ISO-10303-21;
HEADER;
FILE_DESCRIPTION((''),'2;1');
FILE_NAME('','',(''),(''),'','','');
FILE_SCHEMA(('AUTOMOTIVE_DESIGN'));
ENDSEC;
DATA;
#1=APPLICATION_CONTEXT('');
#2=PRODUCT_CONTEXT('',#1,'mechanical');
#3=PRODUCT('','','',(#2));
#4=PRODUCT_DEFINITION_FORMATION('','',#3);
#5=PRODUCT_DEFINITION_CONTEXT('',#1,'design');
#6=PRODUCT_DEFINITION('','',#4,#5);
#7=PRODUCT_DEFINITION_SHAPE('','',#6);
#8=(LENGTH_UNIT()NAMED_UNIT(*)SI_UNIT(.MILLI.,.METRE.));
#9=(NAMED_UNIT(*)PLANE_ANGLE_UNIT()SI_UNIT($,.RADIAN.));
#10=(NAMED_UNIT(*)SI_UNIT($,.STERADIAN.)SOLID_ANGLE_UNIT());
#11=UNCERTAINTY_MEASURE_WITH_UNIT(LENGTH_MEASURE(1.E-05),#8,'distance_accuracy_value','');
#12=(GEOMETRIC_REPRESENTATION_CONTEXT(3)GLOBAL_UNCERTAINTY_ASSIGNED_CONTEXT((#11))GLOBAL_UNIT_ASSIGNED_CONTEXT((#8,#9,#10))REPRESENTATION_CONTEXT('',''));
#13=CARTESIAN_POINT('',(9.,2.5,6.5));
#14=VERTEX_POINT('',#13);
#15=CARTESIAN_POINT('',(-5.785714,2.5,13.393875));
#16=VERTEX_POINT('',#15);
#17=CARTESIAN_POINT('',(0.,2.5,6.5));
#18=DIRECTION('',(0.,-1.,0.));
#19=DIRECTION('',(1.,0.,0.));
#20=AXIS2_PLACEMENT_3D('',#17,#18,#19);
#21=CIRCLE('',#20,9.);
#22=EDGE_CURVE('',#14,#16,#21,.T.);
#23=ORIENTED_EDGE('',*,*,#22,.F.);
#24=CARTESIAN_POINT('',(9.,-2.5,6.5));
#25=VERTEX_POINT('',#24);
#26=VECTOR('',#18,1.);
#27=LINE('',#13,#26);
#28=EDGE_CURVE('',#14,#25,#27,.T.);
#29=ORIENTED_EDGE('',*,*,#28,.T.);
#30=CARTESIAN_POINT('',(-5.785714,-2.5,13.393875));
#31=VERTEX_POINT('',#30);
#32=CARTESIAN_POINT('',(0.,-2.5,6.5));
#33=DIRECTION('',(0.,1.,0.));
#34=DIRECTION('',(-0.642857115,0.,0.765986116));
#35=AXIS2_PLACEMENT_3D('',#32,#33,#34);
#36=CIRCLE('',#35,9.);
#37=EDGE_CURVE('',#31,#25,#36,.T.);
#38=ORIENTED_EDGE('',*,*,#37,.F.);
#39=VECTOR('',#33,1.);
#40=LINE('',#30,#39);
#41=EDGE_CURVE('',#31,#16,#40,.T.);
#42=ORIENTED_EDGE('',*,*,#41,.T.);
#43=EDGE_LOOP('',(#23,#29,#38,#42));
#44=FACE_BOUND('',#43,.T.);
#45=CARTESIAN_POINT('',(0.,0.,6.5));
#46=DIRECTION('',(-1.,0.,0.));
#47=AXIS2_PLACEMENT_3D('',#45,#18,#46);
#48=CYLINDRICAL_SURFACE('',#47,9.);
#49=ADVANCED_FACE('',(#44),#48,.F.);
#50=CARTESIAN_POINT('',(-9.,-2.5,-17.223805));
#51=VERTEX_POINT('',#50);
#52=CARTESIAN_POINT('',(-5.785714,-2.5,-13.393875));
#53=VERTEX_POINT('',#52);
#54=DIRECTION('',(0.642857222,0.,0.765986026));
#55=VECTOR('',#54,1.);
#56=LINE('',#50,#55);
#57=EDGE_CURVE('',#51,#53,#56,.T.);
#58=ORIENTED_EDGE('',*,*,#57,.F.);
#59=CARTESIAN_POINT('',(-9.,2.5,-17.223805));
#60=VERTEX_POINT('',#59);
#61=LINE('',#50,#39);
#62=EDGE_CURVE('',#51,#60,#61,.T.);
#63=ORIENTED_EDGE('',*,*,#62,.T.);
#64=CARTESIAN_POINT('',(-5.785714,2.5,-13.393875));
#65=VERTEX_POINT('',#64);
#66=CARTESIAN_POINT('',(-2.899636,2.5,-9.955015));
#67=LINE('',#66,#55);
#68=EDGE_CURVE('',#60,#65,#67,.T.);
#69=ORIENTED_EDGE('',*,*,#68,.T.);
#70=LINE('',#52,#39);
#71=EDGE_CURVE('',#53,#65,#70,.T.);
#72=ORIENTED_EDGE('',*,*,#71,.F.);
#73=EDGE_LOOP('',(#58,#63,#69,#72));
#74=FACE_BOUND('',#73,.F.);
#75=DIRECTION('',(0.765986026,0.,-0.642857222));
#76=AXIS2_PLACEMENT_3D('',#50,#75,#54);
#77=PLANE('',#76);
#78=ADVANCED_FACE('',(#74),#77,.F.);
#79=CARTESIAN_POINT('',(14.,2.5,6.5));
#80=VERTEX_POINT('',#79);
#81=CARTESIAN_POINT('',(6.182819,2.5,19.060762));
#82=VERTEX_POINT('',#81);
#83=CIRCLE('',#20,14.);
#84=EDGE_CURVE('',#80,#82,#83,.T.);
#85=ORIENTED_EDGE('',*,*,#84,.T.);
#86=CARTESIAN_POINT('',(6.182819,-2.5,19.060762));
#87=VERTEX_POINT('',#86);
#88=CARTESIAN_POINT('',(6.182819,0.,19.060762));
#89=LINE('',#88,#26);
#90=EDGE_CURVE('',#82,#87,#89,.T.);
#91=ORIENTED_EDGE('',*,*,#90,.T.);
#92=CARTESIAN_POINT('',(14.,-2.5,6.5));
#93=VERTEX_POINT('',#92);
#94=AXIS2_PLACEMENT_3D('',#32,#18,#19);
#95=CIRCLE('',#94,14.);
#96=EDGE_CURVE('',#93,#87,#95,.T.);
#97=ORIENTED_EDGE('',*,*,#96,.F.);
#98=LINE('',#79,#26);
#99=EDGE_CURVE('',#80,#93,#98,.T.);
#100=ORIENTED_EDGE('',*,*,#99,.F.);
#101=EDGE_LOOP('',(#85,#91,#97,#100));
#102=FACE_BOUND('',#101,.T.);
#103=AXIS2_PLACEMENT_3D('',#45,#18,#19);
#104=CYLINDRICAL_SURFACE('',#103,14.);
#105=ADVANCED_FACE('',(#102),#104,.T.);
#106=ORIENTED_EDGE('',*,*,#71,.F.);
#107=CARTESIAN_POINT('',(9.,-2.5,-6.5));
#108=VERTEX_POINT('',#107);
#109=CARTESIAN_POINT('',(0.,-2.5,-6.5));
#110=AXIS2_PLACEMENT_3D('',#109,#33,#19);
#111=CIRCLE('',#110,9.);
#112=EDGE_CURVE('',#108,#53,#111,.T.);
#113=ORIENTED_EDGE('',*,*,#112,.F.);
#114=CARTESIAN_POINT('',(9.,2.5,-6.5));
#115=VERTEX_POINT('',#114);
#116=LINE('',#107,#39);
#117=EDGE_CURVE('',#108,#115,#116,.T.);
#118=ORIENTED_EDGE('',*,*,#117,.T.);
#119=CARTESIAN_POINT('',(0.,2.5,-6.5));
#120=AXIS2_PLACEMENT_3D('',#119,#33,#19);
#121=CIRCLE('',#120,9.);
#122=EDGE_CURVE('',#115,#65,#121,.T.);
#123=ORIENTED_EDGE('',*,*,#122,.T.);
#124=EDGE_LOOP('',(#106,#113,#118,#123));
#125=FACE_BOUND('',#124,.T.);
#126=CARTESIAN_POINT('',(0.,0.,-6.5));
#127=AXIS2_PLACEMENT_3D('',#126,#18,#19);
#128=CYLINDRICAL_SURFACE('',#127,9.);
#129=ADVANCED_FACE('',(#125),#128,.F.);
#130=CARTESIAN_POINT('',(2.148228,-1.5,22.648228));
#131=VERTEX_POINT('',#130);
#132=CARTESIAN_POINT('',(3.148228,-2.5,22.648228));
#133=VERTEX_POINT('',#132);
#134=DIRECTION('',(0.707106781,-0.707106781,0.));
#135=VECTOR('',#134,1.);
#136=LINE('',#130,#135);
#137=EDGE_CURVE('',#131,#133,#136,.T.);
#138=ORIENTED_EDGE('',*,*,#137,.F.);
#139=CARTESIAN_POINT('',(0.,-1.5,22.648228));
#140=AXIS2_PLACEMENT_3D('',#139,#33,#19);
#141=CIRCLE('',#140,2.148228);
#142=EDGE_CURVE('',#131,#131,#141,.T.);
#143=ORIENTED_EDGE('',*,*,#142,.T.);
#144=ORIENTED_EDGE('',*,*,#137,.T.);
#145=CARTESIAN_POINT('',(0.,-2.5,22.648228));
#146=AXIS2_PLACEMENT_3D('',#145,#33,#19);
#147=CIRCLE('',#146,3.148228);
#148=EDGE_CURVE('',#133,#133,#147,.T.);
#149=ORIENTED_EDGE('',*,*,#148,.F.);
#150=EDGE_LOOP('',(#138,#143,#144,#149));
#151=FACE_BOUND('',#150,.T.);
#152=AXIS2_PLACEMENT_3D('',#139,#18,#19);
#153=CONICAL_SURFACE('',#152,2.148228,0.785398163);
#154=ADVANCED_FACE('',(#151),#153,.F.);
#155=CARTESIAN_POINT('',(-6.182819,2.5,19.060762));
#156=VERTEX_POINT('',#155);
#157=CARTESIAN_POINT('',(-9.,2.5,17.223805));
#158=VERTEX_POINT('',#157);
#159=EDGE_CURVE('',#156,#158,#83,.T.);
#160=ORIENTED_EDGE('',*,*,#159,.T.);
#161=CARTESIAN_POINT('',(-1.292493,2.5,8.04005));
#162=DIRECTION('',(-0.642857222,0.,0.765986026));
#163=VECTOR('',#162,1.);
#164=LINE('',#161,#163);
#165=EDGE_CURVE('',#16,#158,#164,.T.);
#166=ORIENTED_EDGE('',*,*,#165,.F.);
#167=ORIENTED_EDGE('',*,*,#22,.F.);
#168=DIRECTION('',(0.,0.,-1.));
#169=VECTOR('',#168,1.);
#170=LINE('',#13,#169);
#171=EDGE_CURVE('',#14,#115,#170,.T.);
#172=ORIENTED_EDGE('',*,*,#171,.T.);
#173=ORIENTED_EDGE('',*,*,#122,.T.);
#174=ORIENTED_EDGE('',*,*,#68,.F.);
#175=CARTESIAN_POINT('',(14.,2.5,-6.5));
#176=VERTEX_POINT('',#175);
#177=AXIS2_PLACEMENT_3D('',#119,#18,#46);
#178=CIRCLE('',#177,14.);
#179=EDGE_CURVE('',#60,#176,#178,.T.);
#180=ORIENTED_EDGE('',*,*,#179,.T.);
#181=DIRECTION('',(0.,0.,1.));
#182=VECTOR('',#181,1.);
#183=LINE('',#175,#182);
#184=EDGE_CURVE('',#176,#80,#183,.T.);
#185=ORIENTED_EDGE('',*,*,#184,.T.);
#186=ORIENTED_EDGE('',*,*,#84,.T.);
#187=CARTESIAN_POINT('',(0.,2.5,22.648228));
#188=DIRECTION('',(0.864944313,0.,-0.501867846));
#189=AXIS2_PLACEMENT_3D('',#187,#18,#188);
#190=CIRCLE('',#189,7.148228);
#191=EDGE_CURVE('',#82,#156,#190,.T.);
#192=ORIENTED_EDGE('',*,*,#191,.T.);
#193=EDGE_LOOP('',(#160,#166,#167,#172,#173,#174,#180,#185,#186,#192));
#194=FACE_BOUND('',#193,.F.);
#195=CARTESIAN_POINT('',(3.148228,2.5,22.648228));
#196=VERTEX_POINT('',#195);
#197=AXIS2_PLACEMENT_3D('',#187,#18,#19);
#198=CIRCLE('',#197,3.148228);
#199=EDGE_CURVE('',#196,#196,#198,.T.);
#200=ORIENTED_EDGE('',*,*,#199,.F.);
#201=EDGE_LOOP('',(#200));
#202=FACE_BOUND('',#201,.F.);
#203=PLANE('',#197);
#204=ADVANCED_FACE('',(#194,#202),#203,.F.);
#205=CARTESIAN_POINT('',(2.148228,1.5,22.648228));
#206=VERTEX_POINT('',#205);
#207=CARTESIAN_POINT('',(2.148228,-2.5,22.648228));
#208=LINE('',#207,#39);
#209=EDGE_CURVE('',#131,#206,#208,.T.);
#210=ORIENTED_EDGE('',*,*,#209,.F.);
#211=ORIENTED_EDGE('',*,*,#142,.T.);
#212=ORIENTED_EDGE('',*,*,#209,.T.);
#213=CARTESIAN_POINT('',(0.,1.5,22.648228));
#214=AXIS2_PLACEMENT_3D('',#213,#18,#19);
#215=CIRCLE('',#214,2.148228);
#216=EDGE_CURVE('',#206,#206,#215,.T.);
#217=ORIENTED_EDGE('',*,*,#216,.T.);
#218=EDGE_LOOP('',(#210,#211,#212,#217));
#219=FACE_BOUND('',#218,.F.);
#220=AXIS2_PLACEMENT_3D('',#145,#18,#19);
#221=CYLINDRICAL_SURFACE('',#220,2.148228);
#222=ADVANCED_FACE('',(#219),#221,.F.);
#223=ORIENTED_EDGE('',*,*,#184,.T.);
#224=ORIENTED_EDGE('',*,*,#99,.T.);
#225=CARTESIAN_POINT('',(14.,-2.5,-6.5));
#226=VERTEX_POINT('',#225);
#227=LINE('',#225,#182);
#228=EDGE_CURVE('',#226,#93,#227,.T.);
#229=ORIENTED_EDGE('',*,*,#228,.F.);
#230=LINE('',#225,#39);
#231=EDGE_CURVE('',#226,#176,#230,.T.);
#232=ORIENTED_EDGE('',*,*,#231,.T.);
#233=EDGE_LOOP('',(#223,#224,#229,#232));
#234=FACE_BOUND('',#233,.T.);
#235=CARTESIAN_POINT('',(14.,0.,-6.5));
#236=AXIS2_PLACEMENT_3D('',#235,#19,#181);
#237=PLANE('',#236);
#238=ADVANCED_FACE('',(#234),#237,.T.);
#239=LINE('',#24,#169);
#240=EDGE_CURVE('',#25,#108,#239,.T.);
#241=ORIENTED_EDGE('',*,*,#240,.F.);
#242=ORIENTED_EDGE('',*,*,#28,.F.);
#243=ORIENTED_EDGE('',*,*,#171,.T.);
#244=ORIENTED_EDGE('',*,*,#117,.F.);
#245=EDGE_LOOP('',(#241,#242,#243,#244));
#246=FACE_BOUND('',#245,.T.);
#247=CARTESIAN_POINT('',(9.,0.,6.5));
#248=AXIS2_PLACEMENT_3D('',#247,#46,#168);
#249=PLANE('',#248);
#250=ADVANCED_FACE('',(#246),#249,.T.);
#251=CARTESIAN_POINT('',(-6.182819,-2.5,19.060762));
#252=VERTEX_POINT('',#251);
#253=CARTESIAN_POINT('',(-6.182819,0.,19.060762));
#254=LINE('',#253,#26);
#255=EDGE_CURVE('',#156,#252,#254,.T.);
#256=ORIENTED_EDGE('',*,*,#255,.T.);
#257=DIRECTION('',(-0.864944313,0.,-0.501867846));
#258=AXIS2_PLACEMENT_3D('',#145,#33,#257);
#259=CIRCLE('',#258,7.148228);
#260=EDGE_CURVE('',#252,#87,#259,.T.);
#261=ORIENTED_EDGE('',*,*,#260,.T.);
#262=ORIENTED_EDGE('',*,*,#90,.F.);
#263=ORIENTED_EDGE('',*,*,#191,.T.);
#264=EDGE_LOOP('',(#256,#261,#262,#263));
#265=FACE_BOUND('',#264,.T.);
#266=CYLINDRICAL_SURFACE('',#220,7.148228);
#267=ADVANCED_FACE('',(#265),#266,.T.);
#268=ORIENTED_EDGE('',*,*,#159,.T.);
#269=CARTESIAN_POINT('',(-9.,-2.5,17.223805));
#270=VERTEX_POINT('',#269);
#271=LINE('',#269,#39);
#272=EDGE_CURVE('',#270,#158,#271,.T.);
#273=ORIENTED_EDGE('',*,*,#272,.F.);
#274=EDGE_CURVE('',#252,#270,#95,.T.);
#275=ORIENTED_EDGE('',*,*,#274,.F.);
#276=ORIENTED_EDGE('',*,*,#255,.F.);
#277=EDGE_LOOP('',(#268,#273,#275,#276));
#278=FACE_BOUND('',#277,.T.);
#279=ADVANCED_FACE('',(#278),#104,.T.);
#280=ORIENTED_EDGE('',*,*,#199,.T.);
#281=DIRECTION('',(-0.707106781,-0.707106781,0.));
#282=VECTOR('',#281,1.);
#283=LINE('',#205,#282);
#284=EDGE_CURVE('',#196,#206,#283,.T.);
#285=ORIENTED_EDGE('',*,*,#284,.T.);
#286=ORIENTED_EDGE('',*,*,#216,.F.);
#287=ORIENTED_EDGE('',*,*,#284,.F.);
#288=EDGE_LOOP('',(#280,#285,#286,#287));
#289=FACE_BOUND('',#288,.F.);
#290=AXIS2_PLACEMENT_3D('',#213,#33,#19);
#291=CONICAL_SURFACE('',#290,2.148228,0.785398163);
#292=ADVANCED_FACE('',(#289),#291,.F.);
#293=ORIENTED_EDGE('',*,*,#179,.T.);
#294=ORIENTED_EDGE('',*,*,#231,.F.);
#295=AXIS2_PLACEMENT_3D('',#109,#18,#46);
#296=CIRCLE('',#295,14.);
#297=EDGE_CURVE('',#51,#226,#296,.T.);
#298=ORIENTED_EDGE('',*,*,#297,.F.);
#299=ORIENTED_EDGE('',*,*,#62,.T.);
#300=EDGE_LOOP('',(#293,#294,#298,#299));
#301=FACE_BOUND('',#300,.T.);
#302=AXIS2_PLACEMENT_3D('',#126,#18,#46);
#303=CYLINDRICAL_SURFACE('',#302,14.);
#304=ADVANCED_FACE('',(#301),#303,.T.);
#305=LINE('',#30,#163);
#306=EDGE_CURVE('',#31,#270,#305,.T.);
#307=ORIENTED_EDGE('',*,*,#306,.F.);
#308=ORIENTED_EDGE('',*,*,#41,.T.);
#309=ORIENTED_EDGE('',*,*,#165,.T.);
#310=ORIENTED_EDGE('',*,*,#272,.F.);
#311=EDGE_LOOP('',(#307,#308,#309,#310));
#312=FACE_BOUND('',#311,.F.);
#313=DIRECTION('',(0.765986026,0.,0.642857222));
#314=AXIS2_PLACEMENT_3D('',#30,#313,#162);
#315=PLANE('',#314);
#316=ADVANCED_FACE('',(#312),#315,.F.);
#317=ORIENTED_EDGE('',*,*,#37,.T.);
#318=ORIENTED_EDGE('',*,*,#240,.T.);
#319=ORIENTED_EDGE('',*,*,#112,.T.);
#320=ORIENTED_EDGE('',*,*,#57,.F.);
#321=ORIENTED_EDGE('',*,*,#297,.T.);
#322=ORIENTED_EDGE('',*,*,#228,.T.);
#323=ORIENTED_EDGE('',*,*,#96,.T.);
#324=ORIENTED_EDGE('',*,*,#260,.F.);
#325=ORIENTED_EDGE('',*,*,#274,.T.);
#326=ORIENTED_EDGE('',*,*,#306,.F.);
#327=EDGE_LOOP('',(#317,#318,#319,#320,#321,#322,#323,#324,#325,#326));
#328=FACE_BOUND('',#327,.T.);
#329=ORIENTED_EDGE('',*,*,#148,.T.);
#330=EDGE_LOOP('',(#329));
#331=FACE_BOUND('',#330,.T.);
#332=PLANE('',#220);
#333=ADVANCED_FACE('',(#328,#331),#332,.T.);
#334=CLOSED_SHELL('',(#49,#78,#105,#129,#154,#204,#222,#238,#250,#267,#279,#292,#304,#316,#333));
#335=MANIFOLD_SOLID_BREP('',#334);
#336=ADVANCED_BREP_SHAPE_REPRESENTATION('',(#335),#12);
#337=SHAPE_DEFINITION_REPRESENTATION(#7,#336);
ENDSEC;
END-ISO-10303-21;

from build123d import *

# Parameters (mm, degrees)
F1_DEPTH = 2.5
F3_DEPTH = 5.001
F4_R     = 7.148228
F4_R_2   = 2.148228
F5_DEPTH = 5
F6_SIZE  = 1


with BuildPart() as f1:
    # F0 (on Front) → F1 (new body, symmetric)
    with BuildSketch(Plane.XZ):
        with BuildLine():
            Line((14, -6.5), (14, 6.5))
            ThreePointArc((14, 6.5), (0, 20.5), (-14, 6.5))
            Line((-14, 6.5), (-14, -6.5))
            ThreePointArc((-14, -6.5), (0, -20.5), (14, -6.5))
        make_face()
        with BuildLine():
            Line((9, 6.5), (9, -6.5))
            ThreePointArc((9, -6.5), (0, -15.5), (-9, -6.5))
            Line((-9, -6.5), (-9, 6.5))
            ThreePointArc((-9, 6.5), (0, 15.5), (9, 6.5))
        make_face(mode=Mode.SUBTRACT)
    extrude(amount=F1_DEPTH, both=True)

    # F2 (on face) → F3 (cut, through all)
    with BuildSketch(Plane.XZ.offset(2.5)):
        with BuildLine():
            Line((-5.785714, 13.393875), (-9, 17.223805))
            ThreePointArc((-9, 17.223805), (-12.688578, 12.41608), (-14, 6.5))
            Line((-14, 6.5), (-14, -6.5))
            ThreePointArc((-14, -6.5), (-12.688578, -12.41608), (-9, -17.223805))
            Line((-9, -17.223805), (-5.785714, -13.393875))
            ThreePointArc((-5.785714, -13.393875), (-8.156943, -10.303194), (-9, -6.5))
            Line((-9, -6.5), (-9, 6.5))
            ThreePointArc((-9, 6.5), (-8.156943, 10.303194), (-5.785714, 13.393875))
        make_face()
    extrude(amount=-F3_DEPTH, mode=Mode.SUBTRACT)

    # F4 (on face) → F5 (join, through all)
    with BuildSketch(Plane.XZ.offset(2.5)):
        with Locations((0, 22.648228)):
            Circle(F4_R)
        with Locations((0, 22.648228)):
            Circle(F4_R_2, mode=Mode.SUBTRACT)
    extrude(amount=-F5_DEPTH)

    # F6
    f6_edges = [f1.edges().sort_by_distance(p)[0] for p in [
        (2.148228, 0, 22.648228),
        (-2.148228, -2.5, 22.648228),
        (-2.148228, 2.5, 22.648228),
    ]]
    chamfer(f6_edges, length=F6_SIZE)


solid = f1.part
